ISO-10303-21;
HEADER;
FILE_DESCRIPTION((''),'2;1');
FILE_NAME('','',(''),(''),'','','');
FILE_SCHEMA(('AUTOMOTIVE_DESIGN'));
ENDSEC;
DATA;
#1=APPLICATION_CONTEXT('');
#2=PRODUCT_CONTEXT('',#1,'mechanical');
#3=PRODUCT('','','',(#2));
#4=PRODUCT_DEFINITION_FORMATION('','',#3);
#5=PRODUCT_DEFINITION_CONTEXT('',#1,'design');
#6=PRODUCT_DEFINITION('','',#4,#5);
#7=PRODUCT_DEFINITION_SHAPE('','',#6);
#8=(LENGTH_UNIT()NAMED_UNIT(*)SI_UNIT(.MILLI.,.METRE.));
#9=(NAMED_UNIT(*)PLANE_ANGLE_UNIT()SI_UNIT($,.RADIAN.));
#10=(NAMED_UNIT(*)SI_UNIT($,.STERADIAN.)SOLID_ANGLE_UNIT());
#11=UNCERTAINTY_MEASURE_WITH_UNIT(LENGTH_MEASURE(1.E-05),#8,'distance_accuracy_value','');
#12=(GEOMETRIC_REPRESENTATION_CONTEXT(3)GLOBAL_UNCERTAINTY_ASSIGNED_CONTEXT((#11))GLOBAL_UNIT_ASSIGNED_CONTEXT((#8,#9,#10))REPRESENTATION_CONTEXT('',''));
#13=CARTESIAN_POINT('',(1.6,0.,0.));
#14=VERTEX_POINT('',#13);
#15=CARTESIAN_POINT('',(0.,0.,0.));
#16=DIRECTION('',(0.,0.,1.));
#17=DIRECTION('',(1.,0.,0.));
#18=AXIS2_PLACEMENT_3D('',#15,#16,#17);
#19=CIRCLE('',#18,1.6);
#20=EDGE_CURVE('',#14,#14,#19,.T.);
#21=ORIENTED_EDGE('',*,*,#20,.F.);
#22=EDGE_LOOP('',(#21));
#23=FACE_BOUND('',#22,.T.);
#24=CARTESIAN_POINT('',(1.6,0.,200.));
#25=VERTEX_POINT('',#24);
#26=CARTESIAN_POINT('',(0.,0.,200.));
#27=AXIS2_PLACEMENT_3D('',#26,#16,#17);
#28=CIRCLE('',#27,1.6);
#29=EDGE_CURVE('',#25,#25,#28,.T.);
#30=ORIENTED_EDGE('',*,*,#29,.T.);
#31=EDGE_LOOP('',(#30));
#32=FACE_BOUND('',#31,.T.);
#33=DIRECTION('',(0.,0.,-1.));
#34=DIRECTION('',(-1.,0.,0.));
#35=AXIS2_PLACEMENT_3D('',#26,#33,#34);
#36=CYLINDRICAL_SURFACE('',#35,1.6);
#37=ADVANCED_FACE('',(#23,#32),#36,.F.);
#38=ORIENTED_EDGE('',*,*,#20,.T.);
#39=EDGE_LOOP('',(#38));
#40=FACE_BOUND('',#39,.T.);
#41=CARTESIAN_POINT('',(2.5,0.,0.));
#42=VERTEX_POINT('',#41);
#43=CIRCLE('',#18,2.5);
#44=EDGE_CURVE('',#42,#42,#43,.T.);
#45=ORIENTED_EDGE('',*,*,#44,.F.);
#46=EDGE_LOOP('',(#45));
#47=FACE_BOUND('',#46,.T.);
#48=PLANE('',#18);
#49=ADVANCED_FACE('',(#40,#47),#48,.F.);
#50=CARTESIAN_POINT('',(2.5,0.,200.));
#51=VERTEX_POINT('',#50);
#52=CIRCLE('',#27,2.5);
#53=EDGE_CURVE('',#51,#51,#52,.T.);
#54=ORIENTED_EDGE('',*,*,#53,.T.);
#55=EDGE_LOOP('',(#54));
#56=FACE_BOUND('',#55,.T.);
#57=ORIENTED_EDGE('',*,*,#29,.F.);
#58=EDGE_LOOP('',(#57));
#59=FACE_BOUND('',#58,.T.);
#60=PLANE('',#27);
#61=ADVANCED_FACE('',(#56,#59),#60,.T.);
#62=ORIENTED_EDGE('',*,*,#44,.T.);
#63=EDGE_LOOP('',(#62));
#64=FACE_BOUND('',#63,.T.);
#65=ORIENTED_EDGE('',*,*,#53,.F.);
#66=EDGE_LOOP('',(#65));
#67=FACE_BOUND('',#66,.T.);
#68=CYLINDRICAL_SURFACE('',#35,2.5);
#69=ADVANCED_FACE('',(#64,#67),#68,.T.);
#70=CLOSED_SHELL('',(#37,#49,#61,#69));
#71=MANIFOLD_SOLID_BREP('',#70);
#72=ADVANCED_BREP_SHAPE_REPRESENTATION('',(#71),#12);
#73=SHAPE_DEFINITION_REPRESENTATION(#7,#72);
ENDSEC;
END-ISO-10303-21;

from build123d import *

# Parameters (mm, degrees)
SKETCH1_R           = 2.5
SKETCH1_R_2         = 1.6
BOSS_EXTRUDE2_DEPTH = 200


with BuildPart() as part:
    # Sketch1 → Boss-Extrude2 (new body)
    with BuildSketch(Plane.XY):
        Circle(SKETCH1_R)
        Circle(SKETCH1_R_2, mode=Mode.SUBTRACT)
    extrude(amount=BOSS_EXTRUDE2_DEPTH)


solid = part.part
